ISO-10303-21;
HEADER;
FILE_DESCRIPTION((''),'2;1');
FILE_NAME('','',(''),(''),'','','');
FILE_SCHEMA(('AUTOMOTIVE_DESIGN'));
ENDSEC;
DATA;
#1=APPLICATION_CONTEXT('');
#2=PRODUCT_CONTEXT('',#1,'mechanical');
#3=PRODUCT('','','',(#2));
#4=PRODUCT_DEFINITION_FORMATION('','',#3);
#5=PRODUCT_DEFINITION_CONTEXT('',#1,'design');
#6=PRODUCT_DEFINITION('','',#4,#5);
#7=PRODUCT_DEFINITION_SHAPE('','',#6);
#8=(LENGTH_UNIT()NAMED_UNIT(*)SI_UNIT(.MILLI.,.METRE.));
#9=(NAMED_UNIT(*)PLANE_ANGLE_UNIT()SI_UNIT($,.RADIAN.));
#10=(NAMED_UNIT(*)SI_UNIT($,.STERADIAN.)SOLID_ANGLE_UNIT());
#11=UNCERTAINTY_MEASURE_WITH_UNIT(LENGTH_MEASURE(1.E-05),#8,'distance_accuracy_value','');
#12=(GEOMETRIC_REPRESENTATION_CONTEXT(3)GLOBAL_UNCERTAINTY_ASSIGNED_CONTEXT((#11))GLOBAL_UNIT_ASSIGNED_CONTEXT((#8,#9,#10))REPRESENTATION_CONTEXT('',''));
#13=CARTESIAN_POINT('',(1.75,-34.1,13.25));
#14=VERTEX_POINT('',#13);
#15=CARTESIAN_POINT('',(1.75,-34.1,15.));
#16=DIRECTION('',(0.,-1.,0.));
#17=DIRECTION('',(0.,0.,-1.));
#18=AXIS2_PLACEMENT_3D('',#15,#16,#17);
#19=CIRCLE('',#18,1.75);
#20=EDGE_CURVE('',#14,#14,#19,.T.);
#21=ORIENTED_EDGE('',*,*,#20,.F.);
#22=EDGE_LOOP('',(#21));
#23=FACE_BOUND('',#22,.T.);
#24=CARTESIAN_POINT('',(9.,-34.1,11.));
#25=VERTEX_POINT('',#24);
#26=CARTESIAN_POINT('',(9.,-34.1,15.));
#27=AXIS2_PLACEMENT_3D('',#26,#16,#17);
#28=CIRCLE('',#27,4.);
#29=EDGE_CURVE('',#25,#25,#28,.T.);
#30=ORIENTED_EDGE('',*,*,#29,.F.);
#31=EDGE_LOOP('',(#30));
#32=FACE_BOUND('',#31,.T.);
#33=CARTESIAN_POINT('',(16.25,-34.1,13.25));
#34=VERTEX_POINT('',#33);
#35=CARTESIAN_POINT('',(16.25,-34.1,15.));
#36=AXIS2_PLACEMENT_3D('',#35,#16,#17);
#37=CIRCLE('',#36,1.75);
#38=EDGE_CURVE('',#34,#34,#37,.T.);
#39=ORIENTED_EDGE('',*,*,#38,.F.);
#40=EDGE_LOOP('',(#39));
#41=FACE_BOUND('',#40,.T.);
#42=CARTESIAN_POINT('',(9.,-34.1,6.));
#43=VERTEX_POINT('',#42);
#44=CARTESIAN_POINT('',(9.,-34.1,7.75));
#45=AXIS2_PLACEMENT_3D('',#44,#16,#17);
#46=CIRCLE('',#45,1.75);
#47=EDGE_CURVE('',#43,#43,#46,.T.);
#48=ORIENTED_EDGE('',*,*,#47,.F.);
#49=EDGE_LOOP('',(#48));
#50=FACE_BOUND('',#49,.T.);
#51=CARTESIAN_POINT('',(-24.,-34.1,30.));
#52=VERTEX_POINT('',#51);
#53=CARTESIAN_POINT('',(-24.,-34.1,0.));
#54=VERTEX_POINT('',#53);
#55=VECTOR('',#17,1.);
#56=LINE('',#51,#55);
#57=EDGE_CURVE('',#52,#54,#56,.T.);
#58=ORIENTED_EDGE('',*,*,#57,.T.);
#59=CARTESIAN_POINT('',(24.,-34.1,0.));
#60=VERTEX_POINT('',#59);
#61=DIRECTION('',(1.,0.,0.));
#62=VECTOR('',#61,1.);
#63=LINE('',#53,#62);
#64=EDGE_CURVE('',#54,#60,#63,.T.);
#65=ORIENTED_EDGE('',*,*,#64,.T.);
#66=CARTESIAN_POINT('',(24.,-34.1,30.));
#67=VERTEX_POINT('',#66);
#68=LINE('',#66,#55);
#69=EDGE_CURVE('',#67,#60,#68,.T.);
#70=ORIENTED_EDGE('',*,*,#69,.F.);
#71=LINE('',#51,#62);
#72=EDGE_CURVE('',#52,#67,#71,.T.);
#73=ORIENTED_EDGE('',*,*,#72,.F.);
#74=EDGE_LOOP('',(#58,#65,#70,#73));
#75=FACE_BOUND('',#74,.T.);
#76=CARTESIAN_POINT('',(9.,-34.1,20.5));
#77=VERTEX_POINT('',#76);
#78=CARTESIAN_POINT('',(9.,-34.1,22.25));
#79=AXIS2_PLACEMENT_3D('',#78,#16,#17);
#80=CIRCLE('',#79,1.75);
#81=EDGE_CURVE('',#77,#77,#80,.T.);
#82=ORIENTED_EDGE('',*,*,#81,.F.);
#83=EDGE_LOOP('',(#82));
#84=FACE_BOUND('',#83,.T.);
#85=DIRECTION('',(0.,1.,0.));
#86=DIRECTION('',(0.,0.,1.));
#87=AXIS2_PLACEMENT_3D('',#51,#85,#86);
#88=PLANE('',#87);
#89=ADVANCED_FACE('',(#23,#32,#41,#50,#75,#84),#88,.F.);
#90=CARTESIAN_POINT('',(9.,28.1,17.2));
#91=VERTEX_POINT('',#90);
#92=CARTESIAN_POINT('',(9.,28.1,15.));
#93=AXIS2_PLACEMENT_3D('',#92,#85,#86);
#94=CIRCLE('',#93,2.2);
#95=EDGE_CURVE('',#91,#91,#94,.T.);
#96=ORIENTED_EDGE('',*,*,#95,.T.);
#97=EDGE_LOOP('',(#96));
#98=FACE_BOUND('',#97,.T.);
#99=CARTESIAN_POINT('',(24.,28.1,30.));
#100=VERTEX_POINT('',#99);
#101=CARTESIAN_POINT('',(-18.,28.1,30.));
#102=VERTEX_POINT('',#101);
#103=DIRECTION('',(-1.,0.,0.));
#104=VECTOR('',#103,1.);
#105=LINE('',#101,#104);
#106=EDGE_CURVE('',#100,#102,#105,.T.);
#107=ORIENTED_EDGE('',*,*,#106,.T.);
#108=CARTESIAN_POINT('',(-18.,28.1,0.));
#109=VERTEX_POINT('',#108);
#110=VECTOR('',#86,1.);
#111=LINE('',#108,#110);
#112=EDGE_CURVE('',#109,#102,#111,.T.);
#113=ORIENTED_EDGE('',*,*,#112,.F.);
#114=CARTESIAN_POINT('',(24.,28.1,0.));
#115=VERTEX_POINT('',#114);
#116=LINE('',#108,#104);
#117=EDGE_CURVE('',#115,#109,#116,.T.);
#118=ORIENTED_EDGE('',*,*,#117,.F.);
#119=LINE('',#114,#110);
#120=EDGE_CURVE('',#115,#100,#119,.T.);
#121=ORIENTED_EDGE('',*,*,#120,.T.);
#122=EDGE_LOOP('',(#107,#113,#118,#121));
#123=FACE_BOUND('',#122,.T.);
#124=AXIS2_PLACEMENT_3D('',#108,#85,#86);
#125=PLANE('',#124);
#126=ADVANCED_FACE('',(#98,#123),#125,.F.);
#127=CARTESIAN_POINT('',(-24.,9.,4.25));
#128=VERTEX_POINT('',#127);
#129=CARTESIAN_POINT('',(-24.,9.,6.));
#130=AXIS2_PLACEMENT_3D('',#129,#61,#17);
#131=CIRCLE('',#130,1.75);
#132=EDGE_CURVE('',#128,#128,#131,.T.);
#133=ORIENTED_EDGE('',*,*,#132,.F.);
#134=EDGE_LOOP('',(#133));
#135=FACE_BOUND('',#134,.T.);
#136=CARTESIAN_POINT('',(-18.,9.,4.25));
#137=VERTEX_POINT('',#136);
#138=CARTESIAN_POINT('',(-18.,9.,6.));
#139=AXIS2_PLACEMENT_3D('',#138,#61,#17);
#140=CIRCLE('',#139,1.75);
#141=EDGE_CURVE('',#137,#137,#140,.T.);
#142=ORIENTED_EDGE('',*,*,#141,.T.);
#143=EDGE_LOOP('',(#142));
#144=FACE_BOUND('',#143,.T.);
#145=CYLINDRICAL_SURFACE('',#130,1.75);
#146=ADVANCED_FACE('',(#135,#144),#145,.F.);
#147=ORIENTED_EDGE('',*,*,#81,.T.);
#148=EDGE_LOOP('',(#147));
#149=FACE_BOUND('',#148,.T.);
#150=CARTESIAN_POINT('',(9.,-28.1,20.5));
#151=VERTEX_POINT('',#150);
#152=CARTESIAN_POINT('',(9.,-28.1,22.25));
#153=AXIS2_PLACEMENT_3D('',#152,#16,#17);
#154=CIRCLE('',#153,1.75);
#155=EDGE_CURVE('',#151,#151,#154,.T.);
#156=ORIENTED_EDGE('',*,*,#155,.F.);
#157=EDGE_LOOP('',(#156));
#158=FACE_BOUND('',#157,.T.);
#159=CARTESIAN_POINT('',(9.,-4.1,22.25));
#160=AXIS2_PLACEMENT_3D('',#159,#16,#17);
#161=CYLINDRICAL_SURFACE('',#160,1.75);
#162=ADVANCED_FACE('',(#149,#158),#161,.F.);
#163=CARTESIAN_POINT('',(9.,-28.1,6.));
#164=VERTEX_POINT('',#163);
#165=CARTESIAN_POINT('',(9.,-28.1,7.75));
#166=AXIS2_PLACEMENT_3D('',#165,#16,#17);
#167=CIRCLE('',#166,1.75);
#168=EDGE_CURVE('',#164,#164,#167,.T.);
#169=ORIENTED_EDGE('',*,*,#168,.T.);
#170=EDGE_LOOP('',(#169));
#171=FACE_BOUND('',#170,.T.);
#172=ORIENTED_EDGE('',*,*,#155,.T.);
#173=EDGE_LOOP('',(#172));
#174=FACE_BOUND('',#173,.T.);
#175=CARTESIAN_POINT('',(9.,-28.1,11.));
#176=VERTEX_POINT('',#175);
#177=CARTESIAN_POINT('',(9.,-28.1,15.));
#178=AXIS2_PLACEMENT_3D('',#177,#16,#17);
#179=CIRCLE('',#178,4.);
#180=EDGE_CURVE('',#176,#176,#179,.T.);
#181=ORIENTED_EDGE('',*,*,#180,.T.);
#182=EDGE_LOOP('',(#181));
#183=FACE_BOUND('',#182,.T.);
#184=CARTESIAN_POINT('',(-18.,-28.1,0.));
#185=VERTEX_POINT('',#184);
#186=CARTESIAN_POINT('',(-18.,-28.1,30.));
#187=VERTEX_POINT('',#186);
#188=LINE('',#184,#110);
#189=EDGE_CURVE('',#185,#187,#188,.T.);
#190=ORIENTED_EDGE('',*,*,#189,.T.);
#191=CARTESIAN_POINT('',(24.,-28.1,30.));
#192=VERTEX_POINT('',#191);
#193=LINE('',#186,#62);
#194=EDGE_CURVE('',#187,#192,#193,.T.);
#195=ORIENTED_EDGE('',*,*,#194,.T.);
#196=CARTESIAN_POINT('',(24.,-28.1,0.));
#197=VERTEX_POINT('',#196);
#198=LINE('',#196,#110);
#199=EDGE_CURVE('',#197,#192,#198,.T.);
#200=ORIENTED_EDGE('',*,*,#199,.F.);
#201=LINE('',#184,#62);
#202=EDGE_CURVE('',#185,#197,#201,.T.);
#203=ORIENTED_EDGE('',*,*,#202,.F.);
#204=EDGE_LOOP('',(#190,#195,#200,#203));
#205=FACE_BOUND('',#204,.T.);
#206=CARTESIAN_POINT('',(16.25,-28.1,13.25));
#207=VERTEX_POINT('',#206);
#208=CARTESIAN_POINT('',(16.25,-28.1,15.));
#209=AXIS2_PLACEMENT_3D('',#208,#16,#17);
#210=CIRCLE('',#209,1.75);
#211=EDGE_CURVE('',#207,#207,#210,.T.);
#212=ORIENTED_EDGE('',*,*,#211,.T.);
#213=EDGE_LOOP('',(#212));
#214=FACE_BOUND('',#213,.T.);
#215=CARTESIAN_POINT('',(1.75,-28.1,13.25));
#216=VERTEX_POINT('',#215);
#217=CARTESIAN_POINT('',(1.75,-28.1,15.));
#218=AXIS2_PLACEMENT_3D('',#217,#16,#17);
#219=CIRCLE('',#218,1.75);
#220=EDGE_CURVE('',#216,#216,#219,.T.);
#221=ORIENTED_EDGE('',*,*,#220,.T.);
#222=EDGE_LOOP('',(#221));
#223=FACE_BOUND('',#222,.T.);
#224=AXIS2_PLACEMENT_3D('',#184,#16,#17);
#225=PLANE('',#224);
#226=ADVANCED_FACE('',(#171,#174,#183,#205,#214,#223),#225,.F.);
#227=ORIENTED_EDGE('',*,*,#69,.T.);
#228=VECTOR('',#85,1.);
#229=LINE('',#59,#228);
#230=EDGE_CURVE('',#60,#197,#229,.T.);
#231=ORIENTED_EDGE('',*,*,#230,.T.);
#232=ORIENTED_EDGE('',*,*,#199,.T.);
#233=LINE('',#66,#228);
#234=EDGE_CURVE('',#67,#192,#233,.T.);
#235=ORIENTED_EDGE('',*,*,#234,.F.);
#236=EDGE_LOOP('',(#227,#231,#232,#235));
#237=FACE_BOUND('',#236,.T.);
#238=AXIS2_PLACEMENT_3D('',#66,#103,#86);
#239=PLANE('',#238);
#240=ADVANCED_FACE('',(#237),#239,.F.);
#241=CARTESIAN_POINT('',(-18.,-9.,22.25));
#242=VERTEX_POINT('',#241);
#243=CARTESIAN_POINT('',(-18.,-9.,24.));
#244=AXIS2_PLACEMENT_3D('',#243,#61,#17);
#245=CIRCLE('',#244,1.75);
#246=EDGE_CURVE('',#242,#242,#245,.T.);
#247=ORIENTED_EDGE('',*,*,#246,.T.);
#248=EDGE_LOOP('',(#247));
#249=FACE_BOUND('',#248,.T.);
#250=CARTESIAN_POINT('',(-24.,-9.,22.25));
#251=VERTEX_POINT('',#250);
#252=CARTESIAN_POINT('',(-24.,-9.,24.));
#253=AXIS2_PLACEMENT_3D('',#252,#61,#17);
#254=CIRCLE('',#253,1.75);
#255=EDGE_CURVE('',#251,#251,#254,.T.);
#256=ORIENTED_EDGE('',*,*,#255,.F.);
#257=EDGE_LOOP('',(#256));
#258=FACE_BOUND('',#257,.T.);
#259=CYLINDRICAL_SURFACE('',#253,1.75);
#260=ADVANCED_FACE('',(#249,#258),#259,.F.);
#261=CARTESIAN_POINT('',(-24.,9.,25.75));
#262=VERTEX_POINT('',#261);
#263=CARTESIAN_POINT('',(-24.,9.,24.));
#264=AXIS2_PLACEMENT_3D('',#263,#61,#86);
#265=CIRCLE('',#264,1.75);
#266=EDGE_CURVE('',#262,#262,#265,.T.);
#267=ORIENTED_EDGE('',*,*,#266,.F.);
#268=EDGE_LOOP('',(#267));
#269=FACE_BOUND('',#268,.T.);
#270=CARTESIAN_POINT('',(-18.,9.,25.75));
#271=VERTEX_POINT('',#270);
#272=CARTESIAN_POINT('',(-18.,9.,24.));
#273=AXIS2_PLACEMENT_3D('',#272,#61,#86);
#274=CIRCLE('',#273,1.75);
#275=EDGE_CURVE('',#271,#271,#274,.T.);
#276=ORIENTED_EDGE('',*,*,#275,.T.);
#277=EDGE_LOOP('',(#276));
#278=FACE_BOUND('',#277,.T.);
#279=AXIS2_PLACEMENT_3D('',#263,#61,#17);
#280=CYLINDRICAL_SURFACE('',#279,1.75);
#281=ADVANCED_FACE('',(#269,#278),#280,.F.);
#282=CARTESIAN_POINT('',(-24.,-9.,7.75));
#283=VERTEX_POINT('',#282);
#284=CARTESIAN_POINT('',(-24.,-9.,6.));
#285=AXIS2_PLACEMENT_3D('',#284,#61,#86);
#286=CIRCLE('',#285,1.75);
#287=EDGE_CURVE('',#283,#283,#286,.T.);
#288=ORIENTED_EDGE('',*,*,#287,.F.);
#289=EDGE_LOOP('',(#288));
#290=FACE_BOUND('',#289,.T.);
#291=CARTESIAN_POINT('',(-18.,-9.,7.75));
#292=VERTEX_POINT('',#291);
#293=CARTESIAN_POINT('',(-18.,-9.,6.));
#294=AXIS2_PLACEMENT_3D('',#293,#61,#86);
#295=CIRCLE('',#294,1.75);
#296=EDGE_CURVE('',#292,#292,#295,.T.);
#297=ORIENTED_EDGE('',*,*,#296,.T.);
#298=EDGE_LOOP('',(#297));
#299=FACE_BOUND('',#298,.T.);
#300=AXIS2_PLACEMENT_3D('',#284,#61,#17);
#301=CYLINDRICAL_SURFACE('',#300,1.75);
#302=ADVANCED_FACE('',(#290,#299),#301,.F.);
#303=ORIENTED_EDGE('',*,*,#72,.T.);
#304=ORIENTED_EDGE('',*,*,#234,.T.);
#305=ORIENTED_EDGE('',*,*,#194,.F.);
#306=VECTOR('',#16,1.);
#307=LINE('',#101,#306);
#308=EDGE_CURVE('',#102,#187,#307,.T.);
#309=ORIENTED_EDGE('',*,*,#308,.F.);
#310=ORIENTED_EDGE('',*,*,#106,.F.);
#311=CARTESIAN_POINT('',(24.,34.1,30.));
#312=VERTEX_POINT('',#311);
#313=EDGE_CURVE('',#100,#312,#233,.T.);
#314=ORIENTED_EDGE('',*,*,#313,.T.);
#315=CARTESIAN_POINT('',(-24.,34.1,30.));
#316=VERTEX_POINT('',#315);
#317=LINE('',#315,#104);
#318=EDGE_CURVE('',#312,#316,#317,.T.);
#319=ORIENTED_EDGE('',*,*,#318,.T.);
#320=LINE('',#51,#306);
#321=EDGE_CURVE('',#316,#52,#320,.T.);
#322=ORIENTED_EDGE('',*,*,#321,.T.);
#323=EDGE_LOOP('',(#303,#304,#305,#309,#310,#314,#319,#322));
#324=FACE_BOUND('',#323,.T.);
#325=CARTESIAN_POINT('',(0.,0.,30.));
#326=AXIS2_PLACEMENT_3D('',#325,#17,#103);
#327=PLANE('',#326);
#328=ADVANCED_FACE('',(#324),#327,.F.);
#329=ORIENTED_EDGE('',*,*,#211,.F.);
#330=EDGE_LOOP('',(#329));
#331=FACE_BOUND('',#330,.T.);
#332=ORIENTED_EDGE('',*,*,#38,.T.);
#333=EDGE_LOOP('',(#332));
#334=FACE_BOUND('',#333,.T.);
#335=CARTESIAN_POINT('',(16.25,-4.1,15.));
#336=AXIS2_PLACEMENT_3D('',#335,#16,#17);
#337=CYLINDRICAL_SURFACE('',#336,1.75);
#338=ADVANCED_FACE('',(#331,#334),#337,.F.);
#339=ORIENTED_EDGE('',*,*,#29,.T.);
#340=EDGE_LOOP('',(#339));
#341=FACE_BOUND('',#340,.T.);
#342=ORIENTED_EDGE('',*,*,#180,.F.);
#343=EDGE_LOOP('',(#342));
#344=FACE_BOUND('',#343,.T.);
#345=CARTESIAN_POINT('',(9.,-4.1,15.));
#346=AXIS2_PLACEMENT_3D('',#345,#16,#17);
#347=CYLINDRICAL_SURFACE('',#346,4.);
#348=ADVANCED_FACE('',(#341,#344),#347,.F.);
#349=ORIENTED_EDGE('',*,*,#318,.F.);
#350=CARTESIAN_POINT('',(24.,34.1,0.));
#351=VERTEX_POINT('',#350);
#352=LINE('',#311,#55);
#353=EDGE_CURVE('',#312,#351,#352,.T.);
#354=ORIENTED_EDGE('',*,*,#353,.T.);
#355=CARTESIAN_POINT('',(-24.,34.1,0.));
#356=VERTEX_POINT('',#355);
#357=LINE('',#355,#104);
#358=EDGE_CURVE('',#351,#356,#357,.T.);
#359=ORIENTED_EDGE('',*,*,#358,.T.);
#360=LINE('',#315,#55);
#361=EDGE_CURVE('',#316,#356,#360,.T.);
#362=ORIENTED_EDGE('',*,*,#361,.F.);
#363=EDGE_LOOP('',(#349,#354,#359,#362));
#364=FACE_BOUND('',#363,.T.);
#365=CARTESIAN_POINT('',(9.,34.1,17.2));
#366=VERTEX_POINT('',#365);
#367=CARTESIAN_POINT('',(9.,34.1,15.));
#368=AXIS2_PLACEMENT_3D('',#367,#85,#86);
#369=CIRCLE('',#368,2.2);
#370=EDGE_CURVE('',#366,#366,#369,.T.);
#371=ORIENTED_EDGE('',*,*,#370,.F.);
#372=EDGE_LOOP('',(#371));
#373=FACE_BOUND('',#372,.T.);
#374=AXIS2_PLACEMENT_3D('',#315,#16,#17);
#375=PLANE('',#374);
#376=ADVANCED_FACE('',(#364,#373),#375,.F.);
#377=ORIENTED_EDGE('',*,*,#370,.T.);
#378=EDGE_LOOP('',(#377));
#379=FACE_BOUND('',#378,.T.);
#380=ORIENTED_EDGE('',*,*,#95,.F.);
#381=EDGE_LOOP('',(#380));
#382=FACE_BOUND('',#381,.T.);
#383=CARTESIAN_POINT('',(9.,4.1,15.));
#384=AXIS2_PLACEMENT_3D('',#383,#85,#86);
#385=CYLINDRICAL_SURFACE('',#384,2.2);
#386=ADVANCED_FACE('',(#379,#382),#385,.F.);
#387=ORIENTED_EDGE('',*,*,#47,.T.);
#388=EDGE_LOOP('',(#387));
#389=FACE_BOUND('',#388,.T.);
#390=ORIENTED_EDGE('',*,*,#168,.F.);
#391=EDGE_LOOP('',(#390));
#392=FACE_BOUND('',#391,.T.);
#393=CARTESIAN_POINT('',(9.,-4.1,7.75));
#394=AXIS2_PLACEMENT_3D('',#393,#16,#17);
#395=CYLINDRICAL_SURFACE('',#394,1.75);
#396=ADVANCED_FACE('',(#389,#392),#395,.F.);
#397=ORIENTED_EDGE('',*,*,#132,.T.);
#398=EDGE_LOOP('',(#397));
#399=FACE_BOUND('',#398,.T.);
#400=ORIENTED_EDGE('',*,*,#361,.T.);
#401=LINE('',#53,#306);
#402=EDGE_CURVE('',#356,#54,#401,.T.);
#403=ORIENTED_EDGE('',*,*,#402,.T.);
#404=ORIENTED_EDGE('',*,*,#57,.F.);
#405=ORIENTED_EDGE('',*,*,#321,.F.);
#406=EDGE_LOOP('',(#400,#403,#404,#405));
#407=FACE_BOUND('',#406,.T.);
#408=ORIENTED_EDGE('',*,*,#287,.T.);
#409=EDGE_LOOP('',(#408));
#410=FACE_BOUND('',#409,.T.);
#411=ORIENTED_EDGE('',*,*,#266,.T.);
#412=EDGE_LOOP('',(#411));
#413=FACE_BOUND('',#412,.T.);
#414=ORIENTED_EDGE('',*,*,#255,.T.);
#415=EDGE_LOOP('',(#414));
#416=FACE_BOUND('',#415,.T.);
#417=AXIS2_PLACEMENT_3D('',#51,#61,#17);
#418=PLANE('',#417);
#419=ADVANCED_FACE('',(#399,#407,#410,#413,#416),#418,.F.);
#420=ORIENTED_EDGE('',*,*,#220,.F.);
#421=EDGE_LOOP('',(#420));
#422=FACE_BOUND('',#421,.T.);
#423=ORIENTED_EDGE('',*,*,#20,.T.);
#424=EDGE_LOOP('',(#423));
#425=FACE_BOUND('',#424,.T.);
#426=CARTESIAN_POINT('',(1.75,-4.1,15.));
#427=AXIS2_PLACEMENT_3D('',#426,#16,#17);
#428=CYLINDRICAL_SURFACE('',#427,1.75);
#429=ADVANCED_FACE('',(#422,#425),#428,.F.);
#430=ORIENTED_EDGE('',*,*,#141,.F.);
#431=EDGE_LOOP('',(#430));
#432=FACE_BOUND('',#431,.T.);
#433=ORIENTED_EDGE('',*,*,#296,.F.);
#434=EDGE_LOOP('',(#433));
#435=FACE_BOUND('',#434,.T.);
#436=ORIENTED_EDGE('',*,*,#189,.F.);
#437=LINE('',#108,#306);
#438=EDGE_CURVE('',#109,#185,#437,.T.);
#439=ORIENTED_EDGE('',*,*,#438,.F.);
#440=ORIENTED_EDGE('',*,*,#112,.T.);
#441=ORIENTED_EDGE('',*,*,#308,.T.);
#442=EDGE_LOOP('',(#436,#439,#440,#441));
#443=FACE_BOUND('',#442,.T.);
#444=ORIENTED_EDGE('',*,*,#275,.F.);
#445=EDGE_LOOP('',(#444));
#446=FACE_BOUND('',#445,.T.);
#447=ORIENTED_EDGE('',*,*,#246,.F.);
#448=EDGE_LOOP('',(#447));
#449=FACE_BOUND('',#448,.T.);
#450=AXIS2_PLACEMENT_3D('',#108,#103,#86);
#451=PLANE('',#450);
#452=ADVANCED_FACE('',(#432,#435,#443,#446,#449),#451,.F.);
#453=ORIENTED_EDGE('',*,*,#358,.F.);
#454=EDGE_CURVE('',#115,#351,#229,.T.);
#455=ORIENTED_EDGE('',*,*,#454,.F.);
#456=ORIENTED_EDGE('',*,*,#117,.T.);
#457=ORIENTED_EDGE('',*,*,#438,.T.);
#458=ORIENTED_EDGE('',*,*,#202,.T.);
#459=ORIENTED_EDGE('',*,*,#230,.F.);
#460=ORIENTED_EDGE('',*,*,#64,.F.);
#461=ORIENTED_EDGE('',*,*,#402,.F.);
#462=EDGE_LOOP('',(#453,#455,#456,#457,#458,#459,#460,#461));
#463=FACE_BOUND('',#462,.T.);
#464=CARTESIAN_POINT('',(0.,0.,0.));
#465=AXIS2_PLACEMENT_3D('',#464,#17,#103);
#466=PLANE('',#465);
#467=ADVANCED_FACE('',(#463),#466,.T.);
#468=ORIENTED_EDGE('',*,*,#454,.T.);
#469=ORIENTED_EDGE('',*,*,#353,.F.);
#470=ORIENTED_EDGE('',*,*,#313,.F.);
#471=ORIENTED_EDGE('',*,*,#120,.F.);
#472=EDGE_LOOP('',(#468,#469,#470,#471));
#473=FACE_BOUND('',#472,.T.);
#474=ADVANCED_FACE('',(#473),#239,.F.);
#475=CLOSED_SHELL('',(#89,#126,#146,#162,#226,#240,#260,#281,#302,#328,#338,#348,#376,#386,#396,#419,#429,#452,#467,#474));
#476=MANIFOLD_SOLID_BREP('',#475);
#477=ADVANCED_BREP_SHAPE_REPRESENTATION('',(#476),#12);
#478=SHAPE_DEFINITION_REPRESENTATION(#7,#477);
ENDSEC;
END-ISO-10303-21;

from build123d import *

# Parameters (mm, degrees)
SKETCH1_W           = 48
SKETCH1_H           = 68.2
BOSS_EXTRUDE1_DEPTH = 30
SKETCH2_W           = 42
SKETCH2_H           = 56.2
CUT_EXTRUDE1_DEPTH  = 52.369348838
SKETCH4_R           = 4
SKETCH4_R_2         = 1.75
CUT_EXTRUDE3_DEPTH  = 30
SKETCH5_R           = 2.2
CUT_EXTRUDE4_DEPTH  = 30
SKETCH6_R           = 1.75
CUT_EXTRUDE5_DEPTH  = 62.861215636


with BuildPart() as part:
    # Sketch1 → Boss-Extrude1 (new body)
    with BuildSketch(Plane.XY):
        Rectangle(SKETCH1_W, SKETCH1_H)
    extrude(amount=BOSS_EXTRUDE1_DEPTH)

    # Sketch2 → Cut-Extrude1 (cut, through all)
    with BuildSketch(Plane.XY.offset(30)):
        with Locations((3, 0)):
            Rectangle(SKETCH2_W, SKETCH2_H)
    extrude(amount=-CUT_EXTRUDE1_DEPTH, mode=Mode.SUBTRACT)

    # Sketch4 → Cut-Extrude3 (cut)
    with BuildSketch(Plane.XZ.offset(34.1)):
        with Locations(Location((9, 15, 0), (0, 0, 270))):
            Circle(SKETCH4_R)
        with Locations(Location((9, 22.25, 0), (0, 0, 270))):
            Circle(SKETCH4_R_2)
        with Locations(Location((16.25, 15, 0), (0, 0, 270))):
            Circle(SKETCH4_R_2)
        with Locations(Location((9, 7.75, 0), (0, 0, 270))):
            Circle(SKETCH4_R_2)
        with Locations(Location((1.75, 15, 0), (0, 0, 270))):
            Circle(SKETCH4_R_2)
    extrude(amount=-CUT_EXTRUDE3_DEPTH, mode=Mode.SUBTRACT)

    # Sketch5 → Cut-Extrude4 (cut)
    with BuildSketch(Plane(origin=(0, 34.1, 0), x_dir=(1, 0, 0), z_dir=(0, 1, 0))):
        with Locations(Location((9, -15, 0), (0, 0, 270))):
            Circle(SKETCH5_R)
    extrude(amount=-CUT_EXTRUDE4_DEPTH, mode=Mode.SUBTRACT)

    # Sketch6 → Cut-Extrude5 (cut, through all)
    with BuildSketch(Plane(origin=(-18, 0, 0), x_dir=(0, 0, -1), z_dir=(1, 0, 0))):
        with Locations((-24, -9)):
            Circle(SKETCH6_R)
        with Locations(Location((-6, -9, 0), (0, 0, 180))):
            Circle(SKETCH6_R)
        with Locations((-6, 9)):
            Circle(SKETCH6_R)
        with Locations(Location((-24, 9, 0), (0, 0, 180))):
            Circle(SKETCH6_R)
    extrude(amount=-CUT_EXTRUDE5_DEPTH, mode=Mode.SUBTRACT)


solid = part.part
